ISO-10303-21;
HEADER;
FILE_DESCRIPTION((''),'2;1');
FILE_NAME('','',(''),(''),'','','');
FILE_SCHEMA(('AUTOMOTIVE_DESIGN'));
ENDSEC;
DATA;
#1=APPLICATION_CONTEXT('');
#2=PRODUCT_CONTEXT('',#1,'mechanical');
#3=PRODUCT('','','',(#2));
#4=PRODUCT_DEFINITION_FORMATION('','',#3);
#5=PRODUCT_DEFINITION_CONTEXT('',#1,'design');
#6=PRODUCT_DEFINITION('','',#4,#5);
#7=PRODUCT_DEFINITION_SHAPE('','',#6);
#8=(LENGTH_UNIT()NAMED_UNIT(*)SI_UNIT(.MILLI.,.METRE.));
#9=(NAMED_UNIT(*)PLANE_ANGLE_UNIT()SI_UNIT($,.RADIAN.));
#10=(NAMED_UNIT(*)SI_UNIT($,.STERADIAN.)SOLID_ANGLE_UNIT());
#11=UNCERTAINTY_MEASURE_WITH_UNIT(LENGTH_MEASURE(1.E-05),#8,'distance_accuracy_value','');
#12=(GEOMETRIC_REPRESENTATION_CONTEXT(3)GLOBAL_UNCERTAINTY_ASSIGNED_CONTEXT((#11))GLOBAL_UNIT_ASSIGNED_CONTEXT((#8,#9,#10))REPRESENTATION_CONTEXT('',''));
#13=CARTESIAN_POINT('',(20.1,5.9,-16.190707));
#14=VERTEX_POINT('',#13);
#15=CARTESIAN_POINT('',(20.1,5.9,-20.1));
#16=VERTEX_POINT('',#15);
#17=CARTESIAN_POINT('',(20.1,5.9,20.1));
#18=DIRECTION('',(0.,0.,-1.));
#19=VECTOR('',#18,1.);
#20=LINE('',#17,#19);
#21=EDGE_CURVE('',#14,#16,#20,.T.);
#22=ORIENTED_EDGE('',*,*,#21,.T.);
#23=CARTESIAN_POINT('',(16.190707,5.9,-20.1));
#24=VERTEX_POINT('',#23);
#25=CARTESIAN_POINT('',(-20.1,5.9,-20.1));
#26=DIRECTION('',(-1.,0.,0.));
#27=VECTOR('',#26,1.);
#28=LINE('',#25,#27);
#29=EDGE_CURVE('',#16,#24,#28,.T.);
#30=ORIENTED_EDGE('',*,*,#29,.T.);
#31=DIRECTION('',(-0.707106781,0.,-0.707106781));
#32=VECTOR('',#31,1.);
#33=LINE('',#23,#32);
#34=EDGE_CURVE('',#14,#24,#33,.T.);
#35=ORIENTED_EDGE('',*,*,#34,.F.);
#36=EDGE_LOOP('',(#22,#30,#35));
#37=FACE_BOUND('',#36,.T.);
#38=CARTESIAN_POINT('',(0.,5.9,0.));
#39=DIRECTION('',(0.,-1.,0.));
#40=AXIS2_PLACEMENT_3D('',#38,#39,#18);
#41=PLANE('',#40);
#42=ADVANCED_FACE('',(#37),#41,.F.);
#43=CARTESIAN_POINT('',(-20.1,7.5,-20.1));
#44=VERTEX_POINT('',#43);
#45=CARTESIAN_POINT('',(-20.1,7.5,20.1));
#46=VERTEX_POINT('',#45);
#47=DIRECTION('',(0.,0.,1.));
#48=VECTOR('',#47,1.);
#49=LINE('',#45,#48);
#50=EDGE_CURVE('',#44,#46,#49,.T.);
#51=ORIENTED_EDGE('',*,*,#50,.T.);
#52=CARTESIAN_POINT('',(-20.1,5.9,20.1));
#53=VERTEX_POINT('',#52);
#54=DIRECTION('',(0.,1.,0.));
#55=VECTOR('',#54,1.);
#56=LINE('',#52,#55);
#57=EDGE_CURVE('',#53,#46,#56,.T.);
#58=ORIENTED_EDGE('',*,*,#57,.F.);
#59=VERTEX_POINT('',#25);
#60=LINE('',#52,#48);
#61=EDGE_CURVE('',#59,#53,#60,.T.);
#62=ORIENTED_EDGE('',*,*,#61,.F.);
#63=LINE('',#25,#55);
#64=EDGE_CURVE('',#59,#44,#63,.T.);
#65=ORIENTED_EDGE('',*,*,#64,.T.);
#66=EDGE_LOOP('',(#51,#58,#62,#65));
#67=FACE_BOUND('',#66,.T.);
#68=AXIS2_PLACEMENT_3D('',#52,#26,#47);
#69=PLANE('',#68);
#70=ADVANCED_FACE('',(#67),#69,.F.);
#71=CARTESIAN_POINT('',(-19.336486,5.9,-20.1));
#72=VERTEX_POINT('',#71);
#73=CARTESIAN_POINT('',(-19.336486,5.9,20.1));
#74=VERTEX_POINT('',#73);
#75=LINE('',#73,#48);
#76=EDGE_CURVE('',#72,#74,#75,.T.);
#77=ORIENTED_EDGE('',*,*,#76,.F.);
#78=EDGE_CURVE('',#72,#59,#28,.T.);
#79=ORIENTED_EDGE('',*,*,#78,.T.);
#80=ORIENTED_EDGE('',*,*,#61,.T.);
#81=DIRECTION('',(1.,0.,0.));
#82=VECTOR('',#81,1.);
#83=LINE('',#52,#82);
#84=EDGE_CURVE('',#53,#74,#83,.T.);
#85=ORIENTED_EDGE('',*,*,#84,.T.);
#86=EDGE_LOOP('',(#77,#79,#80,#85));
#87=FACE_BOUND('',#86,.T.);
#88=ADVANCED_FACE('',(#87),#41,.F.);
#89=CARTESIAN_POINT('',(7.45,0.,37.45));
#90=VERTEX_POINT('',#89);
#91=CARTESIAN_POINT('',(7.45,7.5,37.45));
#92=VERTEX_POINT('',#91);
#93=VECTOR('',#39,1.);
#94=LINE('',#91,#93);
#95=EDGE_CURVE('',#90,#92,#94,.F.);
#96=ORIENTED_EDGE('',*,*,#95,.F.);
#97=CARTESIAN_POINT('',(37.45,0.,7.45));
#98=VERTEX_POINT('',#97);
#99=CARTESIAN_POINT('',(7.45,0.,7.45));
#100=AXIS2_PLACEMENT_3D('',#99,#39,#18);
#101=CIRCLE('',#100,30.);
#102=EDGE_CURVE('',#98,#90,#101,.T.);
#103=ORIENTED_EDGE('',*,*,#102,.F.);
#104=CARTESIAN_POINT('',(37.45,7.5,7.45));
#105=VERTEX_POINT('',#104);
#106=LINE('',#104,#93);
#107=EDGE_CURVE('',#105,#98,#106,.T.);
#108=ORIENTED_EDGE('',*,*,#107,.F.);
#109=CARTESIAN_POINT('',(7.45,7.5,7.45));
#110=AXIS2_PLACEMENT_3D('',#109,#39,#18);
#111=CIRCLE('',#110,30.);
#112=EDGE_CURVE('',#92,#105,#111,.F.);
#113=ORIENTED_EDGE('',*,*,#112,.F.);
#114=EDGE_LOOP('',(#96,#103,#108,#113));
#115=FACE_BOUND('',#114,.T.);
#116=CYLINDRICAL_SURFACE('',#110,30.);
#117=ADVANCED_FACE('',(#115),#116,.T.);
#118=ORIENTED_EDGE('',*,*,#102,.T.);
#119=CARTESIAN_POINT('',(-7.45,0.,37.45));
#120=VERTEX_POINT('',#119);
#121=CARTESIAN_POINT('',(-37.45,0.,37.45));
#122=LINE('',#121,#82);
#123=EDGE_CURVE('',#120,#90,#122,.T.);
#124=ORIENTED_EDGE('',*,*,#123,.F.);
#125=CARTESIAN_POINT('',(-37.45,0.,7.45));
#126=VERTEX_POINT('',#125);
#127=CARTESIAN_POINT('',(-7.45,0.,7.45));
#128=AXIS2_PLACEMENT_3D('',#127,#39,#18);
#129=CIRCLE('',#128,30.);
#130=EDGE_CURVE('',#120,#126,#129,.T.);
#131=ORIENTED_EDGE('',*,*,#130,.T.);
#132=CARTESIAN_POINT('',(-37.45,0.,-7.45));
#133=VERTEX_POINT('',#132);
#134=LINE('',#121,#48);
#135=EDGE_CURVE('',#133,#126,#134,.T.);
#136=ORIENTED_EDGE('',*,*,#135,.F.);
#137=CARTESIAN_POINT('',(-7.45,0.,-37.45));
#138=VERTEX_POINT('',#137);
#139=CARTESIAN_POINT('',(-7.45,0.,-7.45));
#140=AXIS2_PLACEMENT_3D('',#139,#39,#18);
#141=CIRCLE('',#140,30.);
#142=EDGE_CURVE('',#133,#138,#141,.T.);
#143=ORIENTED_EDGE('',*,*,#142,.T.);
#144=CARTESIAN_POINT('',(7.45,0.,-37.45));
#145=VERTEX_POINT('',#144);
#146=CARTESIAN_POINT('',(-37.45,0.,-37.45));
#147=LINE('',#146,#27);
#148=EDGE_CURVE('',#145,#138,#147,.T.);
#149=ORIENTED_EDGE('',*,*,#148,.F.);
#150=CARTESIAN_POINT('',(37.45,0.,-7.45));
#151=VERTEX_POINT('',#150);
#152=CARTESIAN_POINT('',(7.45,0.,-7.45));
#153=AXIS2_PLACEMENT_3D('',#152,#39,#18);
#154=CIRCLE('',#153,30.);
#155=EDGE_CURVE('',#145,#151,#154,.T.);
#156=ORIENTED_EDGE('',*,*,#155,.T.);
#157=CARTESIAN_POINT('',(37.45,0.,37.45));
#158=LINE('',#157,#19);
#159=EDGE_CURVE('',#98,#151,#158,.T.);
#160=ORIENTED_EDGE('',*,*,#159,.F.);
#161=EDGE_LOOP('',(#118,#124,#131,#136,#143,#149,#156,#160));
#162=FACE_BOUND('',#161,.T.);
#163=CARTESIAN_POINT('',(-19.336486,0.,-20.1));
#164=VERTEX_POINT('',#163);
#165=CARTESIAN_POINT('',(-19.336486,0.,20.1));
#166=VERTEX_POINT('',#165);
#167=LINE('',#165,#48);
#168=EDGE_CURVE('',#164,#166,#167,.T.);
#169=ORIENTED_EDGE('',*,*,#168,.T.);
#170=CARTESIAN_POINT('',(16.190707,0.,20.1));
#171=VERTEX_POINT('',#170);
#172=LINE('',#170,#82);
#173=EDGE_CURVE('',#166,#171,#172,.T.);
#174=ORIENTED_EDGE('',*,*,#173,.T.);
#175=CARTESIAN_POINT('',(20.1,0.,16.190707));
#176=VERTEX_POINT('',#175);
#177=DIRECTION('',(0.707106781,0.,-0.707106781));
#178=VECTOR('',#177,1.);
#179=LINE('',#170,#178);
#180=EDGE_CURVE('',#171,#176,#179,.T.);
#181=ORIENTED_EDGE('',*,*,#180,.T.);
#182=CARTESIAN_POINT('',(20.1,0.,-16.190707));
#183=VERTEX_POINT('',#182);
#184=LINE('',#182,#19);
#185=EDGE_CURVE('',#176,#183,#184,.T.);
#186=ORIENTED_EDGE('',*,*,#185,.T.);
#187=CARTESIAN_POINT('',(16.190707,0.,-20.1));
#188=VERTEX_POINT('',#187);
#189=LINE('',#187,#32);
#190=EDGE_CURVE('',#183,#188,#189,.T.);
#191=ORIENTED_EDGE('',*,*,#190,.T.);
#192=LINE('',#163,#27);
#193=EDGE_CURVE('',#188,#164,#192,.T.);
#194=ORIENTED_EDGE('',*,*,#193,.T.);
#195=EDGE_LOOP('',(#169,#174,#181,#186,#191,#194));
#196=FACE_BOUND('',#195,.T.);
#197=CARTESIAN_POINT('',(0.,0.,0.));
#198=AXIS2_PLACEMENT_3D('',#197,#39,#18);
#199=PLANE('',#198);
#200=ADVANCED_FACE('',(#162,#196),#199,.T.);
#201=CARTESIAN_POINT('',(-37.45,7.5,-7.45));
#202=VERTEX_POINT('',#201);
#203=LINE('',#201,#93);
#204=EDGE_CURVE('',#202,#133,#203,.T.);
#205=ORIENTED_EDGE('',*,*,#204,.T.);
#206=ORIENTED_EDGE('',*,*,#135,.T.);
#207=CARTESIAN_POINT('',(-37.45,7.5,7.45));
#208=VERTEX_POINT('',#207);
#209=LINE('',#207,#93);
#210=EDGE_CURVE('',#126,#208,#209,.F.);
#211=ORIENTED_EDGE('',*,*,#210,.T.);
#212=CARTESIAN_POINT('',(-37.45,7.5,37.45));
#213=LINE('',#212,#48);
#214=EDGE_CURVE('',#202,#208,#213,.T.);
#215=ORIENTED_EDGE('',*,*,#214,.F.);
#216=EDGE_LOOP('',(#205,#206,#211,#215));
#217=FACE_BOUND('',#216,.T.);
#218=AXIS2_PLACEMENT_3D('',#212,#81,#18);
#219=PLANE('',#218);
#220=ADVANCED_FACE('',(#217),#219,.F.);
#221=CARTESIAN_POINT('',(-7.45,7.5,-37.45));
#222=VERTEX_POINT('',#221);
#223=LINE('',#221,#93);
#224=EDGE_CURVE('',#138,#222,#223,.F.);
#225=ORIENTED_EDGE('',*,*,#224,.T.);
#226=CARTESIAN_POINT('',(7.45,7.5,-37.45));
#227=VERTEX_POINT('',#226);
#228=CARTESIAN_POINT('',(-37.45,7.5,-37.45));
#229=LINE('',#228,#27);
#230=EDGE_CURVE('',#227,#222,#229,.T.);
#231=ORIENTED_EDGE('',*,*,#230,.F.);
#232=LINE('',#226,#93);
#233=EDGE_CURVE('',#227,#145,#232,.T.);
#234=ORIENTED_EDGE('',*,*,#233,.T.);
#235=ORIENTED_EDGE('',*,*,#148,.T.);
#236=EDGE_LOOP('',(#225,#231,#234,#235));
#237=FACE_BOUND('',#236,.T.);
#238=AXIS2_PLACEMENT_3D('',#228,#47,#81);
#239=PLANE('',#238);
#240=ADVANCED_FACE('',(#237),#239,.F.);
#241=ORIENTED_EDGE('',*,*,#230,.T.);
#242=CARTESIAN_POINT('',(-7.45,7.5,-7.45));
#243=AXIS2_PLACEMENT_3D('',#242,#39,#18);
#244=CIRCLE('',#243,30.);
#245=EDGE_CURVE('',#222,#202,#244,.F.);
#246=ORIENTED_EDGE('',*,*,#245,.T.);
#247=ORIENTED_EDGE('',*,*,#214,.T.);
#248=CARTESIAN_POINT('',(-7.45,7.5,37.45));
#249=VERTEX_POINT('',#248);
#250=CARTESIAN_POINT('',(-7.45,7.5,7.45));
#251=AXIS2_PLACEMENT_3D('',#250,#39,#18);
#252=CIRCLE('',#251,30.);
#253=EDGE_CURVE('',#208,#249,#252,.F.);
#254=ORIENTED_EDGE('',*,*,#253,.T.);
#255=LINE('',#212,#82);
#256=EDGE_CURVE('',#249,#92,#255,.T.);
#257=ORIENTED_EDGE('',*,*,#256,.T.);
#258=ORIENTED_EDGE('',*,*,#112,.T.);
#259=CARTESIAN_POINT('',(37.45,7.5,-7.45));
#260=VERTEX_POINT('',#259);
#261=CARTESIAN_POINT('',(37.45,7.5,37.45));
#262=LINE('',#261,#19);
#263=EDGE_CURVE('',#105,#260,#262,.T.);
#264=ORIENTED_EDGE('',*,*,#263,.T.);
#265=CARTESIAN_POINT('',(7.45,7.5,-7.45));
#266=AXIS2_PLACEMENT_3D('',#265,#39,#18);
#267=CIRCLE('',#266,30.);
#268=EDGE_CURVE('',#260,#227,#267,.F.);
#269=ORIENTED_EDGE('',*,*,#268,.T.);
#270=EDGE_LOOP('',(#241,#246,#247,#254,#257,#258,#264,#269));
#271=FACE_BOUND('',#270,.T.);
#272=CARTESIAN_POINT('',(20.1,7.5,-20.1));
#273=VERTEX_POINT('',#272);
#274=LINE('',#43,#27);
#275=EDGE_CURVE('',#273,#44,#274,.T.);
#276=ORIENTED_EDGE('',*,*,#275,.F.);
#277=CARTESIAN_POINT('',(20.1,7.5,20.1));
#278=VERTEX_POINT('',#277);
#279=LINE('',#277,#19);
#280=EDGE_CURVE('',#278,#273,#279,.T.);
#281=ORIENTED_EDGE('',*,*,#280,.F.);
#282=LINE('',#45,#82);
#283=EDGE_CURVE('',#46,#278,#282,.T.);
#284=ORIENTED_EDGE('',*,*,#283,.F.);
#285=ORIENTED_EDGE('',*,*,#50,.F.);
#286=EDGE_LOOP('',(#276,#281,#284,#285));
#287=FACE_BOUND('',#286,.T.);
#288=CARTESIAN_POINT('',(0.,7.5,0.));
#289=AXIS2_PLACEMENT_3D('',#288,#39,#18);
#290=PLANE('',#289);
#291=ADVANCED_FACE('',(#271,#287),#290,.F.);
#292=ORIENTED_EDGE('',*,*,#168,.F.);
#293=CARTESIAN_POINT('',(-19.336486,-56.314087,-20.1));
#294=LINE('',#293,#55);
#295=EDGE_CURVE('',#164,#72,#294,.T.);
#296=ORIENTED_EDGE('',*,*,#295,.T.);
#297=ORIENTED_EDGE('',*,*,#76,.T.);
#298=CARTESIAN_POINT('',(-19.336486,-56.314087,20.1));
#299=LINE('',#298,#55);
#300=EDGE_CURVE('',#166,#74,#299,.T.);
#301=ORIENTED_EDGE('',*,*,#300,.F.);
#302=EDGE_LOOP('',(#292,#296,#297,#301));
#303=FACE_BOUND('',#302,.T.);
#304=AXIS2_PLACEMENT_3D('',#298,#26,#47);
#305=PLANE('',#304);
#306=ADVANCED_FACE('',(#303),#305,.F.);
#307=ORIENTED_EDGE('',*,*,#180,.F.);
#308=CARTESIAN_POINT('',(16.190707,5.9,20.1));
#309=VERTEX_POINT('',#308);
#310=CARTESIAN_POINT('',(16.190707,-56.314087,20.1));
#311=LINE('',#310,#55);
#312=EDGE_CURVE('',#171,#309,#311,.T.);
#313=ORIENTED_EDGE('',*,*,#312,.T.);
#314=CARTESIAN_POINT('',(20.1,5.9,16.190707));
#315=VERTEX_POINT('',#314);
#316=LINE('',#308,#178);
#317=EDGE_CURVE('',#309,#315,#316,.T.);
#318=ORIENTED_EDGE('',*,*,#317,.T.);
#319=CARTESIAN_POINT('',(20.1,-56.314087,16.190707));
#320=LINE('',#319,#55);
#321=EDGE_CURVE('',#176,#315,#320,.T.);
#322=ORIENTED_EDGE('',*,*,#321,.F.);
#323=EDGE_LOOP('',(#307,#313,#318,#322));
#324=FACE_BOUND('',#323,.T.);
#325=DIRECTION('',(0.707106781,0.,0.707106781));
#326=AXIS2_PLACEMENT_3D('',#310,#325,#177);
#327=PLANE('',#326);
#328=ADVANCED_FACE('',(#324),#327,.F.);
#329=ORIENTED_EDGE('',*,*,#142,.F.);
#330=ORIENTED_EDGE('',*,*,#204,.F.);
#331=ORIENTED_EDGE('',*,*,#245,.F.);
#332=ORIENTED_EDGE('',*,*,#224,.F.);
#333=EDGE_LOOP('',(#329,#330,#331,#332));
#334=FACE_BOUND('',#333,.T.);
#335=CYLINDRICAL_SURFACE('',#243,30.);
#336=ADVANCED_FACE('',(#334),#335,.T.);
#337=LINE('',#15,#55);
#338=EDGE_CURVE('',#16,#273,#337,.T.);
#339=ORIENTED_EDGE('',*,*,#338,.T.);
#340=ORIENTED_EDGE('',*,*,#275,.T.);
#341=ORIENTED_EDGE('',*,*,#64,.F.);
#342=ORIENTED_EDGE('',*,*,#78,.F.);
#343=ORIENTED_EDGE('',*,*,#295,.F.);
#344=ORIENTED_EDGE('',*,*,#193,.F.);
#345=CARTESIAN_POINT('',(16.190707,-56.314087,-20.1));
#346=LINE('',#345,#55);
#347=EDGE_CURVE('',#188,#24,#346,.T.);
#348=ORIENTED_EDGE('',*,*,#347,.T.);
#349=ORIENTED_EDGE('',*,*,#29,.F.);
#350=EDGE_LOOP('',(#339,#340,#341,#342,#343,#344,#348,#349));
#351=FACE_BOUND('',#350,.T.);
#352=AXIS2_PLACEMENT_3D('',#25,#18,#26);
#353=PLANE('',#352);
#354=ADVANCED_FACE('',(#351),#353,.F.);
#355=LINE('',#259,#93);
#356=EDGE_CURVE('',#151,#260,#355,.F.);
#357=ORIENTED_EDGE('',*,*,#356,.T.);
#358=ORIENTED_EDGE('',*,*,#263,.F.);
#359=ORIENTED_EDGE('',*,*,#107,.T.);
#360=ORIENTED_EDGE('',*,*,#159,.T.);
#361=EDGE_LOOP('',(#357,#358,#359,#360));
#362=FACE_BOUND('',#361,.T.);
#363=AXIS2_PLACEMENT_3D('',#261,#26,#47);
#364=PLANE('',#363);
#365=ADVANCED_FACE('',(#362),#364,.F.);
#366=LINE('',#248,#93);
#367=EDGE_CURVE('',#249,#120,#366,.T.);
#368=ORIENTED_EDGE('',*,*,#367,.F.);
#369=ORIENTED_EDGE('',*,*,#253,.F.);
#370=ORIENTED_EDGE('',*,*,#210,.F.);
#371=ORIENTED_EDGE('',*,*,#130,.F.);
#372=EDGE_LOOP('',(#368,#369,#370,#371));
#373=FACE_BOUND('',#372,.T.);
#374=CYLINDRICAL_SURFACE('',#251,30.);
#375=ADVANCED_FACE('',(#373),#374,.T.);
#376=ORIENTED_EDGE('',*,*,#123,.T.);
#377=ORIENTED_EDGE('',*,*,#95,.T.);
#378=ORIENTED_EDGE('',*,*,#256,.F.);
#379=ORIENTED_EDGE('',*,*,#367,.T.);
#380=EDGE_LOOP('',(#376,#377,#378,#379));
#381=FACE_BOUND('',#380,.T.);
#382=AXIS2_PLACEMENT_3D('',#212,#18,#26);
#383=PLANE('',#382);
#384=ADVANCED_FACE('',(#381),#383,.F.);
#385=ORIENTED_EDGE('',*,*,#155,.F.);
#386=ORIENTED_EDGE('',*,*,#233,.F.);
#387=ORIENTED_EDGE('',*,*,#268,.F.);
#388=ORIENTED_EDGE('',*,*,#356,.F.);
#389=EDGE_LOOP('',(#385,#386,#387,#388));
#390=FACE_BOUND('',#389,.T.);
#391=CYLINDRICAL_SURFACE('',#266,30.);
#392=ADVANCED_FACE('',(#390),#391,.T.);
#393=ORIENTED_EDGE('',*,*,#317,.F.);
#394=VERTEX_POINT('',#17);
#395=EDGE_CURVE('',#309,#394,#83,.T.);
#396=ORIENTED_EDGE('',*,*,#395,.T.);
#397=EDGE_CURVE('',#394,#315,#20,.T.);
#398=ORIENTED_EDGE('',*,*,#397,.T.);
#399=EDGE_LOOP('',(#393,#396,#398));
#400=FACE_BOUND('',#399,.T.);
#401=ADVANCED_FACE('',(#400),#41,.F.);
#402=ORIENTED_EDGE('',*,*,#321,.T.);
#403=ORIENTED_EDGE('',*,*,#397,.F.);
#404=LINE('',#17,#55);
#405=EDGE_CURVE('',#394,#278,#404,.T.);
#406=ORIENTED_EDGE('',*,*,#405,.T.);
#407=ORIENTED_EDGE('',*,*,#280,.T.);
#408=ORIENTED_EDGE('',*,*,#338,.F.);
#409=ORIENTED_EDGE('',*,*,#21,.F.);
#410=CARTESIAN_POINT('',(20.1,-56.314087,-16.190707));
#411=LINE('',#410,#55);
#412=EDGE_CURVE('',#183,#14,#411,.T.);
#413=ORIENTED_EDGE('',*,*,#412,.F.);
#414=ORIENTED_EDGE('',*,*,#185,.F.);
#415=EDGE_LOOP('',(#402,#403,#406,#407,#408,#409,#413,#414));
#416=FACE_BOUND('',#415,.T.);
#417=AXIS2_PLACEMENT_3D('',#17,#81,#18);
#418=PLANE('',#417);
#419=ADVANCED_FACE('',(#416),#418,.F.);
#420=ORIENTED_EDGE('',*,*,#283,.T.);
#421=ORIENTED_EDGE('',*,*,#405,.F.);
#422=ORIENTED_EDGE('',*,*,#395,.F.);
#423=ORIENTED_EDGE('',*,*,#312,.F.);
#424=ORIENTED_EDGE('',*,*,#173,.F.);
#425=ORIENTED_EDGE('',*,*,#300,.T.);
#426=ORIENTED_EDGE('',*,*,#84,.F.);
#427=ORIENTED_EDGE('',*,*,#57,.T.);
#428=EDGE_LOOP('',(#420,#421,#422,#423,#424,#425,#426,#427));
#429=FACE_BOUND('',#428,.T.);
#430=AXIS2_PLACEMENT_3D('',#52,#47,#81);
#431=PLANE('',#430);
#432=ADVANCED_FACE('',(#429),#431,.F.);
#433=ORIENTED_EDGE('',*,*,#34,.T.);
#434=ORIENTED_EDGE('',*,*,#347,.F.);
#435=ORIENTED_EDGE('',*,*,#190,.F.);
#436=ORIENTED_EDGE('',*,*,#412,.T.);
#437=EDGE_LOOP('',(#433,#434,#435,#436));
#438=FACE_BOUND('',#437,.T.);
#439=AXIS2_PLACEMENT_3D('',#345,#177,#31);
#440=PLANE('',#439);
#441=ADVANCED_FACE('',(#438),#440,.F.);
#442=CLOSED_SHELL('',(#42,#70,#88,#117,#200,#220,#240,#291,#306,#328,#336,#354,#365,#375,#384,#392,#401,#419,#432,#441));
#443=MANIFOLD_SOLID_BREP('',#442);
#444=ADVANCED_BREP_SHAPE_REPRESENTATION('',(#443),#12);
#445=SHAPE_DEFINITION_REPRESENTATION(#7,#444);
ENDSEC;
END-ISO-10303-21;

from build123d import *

# Parameters (mm, degrees)
SKETCH2_W          = 74.9
SKETCH2_H          = 74.9
BASE_DEPTH         = 7.5
SKETCH3_W          = 40.2
SKETCH3_H          = 40.2
SLOT_DEPTH         = 1.6
CUT_EXTRUDE2_DEPTH = 5.9
FILLET1_R          = 30


with BuildPart() as part:
    # Sketch2 → Base (new body)
    with BuildSketch(Plane(origin=(0, 0, 0), x_dir=(1, 0, 0), z_dir=(0, 1, 0))):
        Rectangle(SKETCH2_W, SKETCH2_H)
    extrude(amount=BASE_DEPTH)

    # Sketch3 → Slot (cut)
    with BuildSketch(Plane(origin=(0, 7.5, 0), x_dir=(1, 0, 0), z_dir=(0, 1, 0))):
        Rectangle(SKETCH3_W, SKETCH3_H)
    extrude(amount=-SLOT_DEPTH, mode=Mode.SUBTRACT)

    # Sketch4 → Cut-Extrude2 (cut)
    with BuildSketch(Plane(origin=(0, 5.9, 0), x_dir=(1, 0, 0), z_dir=(0, 1, 0))):
        Polygon((-19.336485636, -20.1), (-19.336485636, 20.1), (16.190707478, 20.1), (20.1, 16.190707478), (20.1, -16.190707478), (16.190707478, -20.1), align=None)
    extrude(amount=-CUT_EXTRUDE2_DEPTH, mode=Mode.SUBTRACT)

    # Fillet1
    fillet1_edges = [part.edges().sort_by_distance(p)[0] for p in [
        (37.45, 3.75, 37.45),
        (-37.45, 3.75, 37.45),
        (-37.45, 3.75, -37.45),
        (37.45, 3.75, -37.45),
    ]]
    fillet(fillet1_edges, radius=FILLET1_R)


solid = part.part
